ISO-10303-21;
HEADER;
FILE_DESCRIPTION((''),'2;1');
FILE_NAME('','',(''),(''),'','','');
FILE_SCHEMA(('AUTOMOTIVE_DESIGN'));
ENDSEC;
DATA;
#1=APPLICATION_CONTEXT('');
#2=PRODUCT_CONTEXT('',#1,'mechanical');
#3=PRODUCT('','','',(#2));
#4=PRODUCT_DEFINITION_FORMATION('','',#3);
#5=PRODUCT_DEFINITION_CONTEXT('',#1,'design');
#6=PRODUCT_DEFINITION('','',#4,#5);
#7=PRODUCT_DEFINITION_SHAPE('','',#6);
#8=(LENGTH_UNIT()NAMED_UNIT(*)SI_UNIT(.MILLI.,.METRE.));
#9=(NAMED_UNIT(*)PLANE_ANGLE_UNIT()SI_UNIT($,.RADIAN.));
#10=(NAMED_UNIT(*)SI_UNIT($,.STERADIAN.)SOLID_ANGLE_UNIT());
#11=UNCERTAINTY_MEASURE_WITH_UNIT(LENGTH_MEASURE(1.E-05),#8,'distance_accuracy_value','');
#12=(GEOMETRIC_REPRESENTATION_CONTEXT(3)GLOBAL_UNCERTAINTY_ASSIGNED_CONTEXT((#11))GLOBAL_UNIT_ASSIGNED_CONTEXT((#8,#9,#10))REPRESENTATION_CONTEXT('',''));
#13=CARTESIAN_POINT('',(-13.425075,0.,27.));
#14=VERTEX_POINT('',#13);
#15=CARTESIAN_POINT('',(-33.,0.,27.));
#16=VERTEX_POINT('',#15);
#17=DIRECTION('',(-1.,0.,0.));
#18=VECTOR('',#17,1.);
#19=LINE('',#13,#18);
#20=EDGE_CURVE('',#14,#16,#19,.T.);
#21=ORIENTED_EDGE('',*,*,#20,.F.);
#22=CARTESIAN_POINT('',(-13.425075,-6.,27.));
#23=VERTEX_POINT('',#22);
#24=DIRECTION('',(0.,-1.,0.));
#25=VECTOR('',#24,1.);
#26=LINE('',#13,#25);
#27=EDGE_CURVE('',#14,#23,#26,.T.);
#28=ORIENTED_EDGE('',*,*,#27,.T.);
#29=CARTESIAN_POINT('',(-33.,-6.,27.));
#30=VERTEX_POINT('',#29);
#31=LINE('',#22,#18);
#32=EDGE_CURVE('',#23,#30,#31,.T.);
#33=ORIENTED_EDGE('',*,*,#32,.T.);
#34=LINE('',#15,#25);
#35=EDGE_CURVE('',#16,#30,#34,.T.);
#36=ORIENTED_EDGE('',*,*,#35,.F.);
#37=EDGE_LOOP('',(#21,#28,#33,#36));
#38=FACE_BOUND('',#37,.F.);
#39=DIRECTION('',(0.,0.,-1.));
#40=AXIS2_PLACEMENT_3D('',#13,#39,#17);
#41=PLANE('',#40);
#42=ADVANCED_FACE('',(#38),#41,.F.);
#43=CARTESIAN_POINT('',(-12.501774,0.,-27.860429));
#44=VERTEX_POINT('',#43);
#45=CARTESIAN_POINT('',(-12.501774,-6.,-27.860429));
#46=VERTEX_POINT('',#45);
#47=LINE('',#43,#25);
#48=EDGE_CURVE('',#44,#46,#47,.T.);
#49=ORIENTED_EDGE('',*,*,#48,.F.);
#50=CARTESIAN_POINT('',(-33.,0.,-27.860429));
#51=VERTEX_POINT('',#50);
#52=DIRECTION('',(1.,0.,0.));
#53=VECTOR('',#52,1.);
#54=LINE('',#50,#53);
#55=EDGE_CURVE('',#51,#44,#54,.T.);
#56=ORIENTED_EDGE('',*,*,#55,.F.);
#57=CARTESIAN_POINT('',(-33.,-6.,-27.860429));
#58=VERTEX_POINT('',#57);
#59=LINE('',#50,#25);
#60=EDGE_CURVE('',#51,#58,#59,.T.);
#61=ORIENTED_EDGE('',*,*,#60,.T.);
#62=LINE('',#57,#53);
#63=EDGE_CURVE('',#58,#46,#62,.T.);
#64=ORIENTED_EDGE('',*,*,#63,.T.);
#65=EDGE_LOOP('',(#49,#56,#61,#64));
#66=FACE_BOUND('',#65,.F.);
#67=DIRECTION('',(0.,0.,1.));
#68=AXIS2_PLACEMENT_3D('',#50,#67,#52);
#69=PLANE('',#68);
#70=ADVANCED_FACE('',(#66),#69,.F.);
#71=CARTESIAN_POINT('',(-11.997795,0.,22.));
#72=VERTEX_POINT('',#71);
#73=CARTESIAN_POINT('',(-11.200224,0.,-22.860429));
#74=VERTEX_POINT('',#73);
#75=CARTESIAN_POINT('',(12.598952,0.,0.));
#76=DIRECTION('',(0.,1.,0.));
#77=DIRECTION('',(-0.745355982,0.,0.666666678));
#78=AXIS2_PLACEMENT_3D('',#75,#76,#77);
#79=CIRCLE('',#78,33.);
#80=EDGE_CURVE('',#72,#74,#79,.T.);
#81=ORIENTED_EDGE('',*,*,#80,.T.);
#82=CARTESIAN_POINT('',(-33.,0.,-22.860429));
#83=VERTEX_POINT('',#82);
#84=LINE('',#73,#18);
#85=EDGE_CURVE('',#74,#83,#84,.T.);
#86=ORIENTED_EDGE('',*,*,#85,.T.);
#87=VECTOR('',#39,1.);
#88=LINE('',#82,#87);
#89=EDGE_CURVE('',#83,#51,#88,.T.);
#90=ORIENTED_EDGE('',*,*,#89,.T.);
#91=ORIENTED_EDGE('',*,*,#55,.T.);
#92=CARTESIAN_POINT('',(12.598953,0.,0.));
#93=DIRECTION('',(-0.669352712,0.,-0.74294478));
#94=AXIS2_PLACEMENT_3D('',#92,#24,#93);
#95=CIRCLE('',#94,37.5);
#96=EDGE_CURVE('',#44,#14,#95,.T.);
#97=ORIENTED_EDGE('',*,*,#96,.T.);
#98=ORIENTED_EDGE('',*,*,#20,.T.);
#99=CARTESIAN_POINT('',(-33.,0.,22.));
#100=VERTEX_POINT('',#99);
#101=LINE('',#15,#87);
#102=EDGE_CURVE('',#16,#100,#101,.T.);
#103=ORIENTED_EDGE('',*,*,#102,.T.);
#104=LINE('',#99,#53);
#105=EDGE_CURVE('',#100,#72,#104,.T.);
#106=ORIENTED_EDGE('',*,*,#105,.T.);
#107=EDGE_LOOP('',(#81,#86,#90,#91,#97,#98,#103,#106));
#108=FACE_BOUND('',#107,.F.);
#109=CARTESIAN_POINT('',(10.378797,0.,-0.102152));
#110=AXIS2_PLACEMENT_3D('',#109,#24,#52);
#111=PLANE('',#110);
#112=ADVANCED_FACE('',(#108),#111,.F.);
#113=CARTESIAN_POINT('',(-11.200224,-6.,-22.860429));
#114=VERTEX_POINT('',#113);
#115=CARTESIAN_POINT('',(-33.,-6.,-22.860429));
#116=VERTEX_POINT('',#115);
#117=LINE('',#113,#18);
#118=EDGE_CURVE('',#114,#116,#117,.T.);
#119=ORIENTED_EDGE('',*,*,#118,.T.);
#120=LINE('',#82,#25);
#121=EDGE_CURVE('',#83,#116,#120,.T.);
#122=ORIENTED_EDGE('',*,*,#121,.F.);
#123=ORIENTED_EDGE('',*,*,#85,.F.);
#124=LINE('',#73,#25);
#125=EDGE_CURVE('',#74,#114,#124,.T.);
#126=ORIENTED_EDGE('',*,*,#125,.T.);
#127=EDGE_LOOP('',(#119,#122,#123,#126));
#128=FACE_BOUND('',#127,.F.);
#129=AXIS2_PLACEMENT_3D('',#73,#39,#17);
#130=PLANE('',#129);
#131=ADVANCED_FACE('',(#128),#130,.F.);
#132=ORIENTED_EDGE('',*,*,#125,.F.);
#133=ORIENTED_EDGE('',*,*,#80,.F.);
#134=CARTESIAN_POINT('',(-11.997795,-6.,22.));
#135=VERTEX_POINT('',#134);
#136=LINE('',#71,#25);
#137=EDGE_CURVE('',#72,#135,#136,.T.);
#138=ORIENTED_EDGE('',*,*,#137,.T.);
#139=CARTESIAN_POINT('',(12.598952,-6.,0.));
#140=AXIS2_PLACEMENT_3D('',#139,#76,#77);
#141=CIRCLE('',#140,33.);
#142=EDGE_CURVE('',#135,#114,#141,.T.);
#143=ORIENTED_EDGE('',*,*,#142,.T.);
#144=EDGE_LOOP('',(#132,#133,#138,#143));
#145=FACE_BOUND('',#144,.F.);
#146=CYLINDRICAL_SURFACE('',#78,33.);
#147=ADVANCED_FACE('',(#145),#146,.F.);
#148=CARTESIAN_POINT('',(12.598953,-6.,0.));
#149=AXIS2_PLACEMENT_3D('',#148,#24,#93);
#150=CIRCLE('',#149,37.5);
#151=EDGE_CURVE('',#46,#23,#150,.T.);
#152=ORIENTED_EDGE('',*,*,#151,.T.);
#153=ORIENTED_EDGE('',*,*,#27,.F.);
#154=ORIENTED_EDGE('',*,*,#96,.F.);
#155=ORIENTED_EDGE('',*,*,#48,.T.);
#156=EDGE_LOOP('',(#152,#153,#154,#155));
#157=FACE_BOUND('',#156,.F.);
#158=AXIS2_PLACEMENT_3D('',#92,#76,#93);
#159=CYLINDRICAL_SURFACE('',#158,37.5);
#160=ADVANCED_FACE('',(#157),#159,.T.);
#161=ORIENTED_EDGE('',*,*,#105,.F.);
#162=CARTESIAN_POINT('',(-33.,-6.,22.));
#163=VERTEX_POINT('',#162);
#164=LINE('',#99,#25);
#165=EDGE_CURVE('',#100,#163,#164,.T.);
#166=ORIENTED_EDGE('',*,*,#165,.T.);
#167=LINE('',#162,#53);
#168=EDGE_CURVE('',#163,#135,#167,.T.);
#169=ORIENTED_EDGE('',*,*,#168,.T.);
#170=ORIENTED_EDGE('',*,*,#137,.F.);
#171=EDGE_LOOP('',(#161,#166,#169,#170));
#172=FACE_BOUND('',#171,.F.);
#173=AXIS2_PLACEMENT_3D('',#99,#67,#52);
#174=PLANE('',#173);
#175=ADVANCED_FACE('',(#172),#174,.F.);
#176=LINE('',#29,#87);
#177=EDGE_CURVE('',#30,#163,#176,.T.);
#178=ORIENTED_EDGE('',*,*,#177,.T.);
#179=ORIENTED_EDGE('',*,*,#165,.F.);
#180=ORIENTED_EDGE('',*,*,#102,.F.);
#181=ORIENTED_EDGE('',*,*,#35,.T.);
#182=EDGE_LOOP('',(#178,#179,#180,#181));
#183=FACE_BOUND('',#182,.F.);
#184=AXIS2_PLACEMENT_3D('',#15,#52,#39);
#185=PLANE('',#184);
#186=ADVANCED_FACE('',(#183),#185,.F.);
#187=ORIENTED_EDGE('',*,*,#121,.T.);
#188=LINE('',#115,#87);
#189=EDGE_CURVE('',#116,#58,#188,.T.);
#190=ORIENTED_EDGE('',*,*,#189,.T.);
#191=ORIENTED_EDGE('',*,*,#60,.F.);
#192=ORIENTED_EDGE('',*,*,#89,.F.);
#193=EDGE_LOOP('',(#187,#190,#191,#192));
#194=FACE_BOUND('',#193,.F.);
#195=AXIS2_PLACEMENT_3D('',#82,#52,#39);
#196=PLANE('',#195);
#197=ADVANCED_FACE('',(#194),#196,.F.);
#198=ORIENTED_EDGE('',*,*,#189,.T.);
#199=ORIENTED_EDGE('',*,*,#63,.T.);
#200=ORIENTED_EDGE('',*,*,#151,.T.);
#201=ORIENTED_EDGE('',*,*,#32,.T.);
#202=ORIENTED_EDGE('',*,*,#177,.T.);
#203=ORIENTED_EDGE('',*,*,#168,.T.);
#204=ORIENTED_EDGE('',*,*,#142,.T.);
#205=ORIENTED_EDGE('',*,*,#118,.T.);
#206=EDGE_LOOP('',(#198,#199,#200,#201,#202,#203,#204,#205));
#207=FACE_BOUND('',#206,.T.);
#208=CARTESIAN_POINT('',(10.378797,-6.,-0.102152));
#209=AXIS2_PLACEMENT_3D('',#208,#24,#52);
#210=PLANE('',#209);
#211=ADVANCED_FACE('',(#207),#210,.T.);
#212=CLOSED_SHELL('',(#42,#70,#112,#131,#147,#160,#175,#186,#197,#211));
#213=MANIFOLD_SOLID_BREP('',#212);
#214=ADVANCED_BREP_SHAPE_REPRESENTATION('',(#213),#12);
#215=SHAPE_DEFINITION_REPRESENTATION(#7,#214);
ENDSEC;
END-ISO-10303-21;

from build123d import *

# Parameters (mm, degrees)
F1_DEPTH = 6


with BuildPart() as f1:
    # F0 (on Front) → F1 (new body)
    with BuildSketch(Plane.XZ):
        with BuildLine():
            Line((-33, 22), (-28, 22))
            Line((-28, 22), (-11.997795, 22))
            ThreePointArc((-11.997795, 22), (45.593738, 0.586613), (-11.200224, -22.860429))
            Line((-11.200224, -22.860429), (-28, -22.860429))
            Line((-28, -22.860429), (-33, -22.860429))
            Line((-33, -22.860429), (-33, -27.860429))
            Line((-33, -27.860429), (-12.501774, -27.860429))
            ThreePointArc((-12.501774, -27.860429), (50.093643, 0.631035), (-13.425075, 27))
            Line((-13.425075, 27), (-33, 27))
            Line((-33, 27), (-33, 22))
        make_face()
    extrude(amount=F1_DEPTH)


solid = f1.part
